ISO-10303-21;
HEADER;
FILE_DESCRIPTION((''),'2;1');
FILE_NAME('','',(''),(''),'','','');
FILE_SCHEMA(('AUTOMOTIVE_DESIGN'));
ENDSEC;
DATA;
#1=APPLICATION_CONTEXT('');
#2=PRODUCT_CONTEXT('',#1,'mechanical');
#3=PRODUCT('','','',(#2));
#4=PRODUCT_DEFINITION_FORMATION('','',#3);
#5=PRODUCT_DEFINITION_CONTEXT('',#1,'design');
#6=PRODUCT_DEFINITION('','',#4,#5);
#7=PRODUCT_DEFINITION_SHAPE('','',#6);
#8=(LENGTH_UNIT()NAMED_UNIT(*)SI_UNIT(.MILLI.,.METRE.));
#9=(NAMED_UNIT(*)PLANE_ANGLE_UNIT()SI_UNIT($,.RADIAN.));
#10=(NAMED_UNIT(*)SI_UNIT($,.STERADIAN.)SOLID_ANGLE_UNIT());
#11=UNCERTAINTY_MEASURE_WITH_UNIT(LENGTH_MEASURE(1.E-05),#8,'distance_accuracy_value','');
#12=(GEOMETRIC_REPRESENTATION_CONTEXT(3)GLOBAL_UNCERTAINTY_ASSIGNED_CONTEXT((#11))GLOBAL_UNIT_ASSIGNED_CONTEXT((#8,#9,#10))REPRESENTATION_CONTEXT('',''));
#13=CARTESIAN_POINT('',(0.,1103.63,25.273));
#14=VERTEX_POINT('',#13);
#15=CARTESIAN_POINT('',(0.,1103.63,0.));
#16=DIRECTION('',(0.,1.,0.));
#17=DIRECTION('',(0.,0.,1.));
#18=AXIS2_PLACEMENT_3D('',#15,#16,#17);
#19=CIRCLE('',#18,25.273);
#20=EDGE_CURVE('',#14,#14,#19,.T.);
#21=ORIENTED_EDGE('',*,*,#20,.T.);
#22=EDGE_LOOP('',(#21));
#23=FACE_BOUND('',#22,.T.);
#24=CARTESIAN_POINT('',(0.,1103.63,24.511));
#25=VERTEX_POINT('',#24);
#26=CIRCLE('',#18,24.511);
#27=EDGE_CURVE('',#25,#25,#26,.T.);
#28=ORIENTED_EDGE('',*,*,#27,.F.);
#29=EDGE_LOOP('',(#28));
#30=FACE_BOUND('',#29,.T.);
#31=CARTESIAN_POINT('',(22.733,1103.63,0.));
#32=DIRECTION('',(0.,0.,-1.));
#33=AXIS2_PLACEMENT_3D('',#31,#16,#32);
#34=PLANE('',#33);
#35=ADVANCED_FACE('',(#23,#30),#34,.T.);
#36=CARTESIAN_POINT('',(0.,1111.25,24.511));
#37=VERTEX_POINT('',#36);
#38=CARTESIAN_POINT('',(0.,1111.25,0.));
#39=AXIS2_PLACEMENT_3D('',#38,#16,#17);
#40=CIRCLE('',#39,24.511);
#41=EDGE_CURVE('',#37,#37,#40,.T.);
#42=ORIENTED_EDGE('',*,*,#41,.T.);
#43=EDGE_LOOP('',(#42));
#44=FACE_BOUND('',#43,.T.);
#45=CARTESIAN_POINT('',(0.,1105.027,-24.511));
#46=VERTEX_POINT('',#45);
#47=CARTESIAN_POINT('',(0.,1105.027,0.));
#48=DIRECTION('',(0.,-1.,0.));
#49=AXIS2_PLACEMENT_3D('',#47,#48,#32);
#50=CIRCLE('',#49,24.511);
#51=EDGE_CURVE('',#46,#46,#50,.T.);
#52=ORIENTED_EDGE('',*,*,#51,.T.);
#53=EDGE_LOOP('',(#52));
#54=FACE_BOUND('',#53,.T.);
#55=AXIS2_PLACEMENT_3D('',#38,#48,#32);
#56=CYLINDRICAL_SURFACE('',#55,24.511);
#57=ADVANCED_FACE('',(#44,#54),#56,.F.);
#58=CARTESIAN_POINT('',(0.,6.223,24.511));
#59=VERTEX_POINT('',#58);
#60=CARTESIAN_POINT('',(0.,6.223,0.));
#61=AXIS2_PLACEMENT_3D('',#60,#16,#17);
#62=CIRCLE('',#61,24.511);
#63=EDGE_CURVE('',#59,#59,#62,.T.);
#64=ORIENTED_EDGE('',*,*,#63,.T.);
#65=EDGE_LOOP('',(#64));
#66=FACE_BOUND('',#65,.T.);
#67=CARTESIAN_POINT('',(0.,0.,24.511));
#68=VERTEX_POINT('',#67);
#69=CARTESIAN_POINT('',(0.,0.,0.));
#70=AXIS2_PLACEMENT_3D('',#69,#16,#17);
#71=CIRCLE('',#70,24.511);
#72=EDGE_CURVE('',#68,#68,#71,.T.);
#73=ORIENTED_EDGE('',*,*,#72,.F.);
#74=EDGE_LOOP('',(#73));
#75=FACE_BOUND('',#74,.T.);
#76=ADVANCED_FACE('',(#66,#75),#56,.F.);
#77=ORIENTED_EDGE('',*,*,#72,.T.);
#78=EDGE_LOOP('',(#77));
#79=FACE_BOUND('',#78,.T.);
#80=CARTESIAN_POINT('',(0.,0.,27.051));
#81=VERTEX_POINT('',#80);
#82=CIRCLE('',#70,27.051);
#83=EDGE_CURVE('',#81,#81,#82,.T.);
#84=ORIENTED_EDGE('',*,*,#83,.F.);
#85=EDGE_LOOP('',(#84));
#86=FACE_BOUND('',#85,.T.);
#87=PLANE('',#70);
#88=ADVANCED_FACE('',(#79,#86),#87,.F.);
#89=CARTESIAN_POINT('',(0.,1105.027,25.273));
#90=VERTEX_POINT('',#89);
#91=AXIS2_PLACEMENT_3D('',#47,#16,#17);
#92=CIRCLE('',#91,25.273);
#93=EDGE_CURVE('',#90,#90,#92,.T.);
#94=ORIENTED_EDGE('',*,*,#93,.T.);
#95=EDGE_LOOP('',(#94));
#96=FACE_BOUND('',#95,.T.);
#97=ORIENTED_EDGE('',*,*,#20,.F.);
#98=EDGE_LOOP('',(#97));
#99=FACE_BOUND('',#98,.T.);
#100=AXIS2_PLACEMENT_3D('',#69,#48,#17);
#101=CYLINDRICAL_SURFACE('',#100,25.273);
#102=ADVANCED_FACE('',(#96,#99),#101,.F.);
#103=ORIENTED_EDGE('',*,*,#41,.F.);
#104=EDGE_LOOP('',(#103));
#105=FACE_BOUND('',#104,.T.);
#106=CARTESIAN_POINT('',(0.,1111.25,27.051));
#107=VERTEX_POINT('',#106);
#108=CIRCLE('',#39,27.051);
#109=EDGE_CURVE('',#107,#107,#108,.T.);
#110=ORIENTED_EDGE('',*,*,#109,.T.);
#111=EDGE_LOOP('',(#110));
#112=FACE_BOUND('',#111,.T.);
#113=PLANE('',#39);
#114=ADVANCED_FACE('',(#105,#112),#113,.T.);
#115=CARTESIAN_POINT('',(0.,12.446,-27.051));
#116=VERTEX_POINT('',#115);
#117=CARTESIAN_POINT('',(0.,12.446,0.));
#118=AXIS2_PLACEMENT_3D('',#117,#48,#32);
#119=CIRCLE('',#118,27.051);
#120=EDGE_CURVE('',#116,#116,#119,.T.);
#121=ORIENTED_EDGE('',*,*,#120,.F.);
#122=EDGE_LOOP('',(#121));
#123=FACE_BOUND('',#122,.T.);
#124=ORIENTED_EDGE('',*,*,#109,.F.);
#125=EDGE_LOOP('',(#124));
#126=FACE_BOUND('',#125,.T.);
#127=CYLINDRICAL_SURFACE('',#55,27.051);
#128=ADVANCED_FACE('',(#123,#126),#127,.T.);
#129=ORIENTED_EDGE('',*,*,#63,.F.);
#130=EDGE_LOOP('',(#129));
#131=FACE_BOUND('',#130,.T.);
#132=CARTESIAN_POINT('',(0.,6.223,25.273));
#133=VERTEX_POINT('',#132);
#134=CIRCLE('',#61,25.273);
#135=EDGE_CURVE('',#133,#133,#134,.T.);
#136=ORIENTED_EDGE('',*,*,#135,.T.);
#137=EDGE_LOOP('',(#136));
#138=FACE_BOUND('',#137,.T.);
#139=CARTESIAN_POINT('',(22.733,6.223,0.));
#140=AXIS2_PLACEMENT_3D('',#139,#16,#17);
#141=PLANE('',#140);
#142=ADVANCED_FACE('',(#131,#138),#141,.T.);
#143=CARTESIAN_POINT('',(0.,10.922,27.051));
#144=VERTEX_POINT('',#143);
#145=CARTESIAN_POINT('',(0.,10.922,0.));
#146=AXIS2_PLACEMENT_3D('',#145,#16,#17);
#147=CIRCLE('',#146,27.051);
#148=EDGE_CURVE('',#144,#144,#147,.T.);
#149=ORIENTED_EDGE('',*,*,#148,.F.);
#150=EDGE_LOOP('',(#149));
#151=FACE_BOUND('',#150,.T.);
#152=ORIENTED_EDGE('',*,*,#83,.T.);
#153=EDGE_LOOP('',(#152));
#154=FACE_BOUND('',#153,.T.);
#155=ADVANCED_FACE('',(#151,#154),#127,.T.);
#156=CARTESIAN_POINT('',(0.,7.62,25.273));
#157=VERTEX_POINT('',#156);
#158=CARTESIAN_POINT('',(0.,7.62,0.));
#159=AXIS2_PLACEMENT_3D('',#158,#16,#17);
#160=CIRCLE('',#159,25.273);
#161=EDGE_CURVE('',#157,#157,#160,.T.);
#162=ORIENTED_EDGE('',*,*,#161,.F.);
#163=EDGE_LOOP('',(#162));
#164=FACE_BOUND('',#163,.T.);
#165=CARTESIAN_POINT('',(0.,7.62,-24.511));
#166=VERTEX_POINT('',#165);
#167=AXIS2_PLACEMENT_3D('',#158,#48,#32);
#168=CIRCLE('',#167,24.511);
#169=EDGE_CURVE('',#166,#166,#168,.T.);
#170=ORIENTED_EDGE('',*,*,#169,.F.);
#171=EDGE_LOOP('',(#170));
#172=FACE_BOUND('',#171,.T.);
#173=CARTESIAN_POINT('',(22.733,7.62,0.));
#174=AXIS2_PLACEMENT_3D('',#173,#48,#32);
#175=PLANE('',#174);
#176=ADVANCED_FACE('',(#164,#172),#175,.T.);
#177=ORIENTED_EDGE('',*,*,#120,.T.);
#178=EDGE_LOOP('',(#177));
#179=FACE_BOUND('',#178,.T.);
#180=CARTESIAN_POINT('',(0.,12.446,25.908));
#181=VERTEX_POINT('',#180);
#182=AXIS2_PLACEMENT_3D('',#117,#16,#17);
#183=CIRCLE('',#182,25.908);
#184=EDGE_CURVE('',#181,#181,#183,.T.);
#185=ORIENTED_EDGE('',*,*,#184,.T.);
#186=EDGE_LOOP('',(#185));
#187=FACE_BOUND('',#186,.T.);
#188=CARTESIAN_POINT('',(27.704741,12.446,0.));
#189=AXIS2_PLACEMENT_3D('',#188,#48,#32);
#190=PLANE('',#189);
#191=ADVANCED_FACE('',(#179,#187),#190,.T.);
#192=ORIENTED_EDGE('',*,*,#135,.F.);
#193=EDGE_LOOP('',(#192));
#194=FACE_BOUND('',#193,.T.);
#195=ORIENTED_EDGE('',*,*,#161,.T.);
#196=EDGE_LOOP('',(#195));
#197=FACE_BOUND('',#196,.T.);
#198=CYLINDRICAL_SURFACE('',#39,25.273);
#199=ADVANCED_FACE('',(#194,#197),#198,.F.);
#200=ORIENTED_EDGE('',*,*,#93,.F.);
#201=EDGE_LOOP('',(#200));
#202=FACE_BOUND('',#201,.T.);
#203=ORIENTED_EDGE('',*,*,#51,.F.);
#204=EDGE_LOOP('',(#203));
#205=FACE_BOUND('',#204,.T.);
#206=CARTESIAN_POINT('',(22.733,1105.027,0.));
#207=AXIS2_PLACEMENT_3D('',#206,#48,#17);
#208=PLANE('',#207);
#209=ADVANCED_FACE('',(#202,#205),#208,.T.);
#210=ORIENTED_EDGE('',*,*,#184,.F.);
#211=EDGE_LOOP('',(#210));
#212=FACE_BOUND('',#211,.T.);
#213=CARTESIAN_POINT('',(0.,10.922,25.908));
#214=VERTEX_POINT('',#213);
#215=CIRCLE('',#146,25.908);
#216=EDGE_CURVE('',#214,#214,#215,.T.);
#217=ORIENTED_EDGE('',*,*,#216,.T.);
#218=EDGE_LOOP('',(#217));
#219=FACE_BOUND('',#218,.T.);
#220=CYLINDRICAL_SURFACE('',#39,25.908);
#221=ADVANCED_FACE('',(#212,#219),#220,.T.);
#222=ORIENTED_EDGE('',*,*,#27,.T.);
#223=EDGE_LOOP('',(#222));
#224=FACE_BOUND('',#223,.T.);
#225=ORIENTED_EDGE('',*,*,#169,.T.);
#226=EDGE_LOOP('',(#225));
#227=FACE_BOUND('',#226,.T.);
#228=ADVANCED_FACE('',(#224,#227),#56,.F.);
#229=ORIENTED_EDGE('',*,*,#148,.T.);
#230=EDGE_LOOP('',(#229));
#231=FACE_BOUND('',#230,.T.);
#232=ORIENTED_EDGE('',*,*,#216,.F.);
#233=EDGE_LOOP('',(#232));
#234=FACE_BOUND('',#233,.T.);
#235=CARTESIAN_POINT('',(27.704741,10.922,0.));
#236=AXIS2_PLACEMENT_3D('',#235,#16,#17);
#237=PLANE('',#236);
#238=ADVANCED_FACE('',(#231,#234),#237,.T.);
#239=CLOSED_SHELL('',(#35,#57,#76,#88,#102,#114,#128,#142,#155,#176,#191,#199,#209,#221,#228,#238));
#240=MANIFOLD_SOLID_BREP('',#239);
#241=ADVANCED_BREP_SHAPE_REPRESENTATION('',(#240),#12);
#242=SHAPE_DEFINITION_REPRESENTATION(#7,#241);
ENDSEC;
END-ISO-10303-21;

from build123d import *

# Parameters (mm, degrees)
SKETCH1_R           = 27.051
SKETCH1_R_2         = 24.511
BOSS_EXTRUDE1_DEPTH = 1111.25
SKETCH2_W           = 2.54
SKETCH2_H           = 1.397
SKETCH11_W          = 1.796741038
SKETCH11_H          = 1.524


with BuildPart() as part:
    # Sketch1 → Boss-Extrude1 (new body)
    with BuildSketch(Plane(origin=(0, 0, 0), x_dir=(1, 0, 0), z_dir=(0, 1, 0))):
        Circle(SKETCH1_R)
        Circle(SKETCH1_R_2, mode=Mode.SUBTRACT)
    extrude(amount=BOSS_EXTRUDE1_DEPTH)

    # Sketch2 → Cut-Revolve1 (revolve, cut)
    with BuildSketch(Plane.XY):
        with Locations((24.003, 6.9215)):
            Rectangle(SKETCH2_W, SKETCH2_H)
    cut_revolve1 = revolve(axis=Axis((0, 1111.25, 0), (0, -1, 0)), mode=Mode.SUBTRACT)

    # Mirror1: Cut-Revolve1 across plane
    add(cut_revolve1.mirror(Plane(origin=(0, 555.625, 0), x_dir=(0, 0, 1), z_dir=(0, -1, 0))), mode=Mode.SUBTRACT)

    # Sketch11 → Cut-Revolve3 (revolve, cut)
    with BuildSketch(Plane.XY):
        with Locations((26.806370519, 11.684)):
            Rectangle(SKETCH11_W, SKETCH11_H)
    revolve(axis=Axis((0, 1111.25, 0), (0, -1, 0)), mode=Mode.SUBTRACT)


solid = part.part
